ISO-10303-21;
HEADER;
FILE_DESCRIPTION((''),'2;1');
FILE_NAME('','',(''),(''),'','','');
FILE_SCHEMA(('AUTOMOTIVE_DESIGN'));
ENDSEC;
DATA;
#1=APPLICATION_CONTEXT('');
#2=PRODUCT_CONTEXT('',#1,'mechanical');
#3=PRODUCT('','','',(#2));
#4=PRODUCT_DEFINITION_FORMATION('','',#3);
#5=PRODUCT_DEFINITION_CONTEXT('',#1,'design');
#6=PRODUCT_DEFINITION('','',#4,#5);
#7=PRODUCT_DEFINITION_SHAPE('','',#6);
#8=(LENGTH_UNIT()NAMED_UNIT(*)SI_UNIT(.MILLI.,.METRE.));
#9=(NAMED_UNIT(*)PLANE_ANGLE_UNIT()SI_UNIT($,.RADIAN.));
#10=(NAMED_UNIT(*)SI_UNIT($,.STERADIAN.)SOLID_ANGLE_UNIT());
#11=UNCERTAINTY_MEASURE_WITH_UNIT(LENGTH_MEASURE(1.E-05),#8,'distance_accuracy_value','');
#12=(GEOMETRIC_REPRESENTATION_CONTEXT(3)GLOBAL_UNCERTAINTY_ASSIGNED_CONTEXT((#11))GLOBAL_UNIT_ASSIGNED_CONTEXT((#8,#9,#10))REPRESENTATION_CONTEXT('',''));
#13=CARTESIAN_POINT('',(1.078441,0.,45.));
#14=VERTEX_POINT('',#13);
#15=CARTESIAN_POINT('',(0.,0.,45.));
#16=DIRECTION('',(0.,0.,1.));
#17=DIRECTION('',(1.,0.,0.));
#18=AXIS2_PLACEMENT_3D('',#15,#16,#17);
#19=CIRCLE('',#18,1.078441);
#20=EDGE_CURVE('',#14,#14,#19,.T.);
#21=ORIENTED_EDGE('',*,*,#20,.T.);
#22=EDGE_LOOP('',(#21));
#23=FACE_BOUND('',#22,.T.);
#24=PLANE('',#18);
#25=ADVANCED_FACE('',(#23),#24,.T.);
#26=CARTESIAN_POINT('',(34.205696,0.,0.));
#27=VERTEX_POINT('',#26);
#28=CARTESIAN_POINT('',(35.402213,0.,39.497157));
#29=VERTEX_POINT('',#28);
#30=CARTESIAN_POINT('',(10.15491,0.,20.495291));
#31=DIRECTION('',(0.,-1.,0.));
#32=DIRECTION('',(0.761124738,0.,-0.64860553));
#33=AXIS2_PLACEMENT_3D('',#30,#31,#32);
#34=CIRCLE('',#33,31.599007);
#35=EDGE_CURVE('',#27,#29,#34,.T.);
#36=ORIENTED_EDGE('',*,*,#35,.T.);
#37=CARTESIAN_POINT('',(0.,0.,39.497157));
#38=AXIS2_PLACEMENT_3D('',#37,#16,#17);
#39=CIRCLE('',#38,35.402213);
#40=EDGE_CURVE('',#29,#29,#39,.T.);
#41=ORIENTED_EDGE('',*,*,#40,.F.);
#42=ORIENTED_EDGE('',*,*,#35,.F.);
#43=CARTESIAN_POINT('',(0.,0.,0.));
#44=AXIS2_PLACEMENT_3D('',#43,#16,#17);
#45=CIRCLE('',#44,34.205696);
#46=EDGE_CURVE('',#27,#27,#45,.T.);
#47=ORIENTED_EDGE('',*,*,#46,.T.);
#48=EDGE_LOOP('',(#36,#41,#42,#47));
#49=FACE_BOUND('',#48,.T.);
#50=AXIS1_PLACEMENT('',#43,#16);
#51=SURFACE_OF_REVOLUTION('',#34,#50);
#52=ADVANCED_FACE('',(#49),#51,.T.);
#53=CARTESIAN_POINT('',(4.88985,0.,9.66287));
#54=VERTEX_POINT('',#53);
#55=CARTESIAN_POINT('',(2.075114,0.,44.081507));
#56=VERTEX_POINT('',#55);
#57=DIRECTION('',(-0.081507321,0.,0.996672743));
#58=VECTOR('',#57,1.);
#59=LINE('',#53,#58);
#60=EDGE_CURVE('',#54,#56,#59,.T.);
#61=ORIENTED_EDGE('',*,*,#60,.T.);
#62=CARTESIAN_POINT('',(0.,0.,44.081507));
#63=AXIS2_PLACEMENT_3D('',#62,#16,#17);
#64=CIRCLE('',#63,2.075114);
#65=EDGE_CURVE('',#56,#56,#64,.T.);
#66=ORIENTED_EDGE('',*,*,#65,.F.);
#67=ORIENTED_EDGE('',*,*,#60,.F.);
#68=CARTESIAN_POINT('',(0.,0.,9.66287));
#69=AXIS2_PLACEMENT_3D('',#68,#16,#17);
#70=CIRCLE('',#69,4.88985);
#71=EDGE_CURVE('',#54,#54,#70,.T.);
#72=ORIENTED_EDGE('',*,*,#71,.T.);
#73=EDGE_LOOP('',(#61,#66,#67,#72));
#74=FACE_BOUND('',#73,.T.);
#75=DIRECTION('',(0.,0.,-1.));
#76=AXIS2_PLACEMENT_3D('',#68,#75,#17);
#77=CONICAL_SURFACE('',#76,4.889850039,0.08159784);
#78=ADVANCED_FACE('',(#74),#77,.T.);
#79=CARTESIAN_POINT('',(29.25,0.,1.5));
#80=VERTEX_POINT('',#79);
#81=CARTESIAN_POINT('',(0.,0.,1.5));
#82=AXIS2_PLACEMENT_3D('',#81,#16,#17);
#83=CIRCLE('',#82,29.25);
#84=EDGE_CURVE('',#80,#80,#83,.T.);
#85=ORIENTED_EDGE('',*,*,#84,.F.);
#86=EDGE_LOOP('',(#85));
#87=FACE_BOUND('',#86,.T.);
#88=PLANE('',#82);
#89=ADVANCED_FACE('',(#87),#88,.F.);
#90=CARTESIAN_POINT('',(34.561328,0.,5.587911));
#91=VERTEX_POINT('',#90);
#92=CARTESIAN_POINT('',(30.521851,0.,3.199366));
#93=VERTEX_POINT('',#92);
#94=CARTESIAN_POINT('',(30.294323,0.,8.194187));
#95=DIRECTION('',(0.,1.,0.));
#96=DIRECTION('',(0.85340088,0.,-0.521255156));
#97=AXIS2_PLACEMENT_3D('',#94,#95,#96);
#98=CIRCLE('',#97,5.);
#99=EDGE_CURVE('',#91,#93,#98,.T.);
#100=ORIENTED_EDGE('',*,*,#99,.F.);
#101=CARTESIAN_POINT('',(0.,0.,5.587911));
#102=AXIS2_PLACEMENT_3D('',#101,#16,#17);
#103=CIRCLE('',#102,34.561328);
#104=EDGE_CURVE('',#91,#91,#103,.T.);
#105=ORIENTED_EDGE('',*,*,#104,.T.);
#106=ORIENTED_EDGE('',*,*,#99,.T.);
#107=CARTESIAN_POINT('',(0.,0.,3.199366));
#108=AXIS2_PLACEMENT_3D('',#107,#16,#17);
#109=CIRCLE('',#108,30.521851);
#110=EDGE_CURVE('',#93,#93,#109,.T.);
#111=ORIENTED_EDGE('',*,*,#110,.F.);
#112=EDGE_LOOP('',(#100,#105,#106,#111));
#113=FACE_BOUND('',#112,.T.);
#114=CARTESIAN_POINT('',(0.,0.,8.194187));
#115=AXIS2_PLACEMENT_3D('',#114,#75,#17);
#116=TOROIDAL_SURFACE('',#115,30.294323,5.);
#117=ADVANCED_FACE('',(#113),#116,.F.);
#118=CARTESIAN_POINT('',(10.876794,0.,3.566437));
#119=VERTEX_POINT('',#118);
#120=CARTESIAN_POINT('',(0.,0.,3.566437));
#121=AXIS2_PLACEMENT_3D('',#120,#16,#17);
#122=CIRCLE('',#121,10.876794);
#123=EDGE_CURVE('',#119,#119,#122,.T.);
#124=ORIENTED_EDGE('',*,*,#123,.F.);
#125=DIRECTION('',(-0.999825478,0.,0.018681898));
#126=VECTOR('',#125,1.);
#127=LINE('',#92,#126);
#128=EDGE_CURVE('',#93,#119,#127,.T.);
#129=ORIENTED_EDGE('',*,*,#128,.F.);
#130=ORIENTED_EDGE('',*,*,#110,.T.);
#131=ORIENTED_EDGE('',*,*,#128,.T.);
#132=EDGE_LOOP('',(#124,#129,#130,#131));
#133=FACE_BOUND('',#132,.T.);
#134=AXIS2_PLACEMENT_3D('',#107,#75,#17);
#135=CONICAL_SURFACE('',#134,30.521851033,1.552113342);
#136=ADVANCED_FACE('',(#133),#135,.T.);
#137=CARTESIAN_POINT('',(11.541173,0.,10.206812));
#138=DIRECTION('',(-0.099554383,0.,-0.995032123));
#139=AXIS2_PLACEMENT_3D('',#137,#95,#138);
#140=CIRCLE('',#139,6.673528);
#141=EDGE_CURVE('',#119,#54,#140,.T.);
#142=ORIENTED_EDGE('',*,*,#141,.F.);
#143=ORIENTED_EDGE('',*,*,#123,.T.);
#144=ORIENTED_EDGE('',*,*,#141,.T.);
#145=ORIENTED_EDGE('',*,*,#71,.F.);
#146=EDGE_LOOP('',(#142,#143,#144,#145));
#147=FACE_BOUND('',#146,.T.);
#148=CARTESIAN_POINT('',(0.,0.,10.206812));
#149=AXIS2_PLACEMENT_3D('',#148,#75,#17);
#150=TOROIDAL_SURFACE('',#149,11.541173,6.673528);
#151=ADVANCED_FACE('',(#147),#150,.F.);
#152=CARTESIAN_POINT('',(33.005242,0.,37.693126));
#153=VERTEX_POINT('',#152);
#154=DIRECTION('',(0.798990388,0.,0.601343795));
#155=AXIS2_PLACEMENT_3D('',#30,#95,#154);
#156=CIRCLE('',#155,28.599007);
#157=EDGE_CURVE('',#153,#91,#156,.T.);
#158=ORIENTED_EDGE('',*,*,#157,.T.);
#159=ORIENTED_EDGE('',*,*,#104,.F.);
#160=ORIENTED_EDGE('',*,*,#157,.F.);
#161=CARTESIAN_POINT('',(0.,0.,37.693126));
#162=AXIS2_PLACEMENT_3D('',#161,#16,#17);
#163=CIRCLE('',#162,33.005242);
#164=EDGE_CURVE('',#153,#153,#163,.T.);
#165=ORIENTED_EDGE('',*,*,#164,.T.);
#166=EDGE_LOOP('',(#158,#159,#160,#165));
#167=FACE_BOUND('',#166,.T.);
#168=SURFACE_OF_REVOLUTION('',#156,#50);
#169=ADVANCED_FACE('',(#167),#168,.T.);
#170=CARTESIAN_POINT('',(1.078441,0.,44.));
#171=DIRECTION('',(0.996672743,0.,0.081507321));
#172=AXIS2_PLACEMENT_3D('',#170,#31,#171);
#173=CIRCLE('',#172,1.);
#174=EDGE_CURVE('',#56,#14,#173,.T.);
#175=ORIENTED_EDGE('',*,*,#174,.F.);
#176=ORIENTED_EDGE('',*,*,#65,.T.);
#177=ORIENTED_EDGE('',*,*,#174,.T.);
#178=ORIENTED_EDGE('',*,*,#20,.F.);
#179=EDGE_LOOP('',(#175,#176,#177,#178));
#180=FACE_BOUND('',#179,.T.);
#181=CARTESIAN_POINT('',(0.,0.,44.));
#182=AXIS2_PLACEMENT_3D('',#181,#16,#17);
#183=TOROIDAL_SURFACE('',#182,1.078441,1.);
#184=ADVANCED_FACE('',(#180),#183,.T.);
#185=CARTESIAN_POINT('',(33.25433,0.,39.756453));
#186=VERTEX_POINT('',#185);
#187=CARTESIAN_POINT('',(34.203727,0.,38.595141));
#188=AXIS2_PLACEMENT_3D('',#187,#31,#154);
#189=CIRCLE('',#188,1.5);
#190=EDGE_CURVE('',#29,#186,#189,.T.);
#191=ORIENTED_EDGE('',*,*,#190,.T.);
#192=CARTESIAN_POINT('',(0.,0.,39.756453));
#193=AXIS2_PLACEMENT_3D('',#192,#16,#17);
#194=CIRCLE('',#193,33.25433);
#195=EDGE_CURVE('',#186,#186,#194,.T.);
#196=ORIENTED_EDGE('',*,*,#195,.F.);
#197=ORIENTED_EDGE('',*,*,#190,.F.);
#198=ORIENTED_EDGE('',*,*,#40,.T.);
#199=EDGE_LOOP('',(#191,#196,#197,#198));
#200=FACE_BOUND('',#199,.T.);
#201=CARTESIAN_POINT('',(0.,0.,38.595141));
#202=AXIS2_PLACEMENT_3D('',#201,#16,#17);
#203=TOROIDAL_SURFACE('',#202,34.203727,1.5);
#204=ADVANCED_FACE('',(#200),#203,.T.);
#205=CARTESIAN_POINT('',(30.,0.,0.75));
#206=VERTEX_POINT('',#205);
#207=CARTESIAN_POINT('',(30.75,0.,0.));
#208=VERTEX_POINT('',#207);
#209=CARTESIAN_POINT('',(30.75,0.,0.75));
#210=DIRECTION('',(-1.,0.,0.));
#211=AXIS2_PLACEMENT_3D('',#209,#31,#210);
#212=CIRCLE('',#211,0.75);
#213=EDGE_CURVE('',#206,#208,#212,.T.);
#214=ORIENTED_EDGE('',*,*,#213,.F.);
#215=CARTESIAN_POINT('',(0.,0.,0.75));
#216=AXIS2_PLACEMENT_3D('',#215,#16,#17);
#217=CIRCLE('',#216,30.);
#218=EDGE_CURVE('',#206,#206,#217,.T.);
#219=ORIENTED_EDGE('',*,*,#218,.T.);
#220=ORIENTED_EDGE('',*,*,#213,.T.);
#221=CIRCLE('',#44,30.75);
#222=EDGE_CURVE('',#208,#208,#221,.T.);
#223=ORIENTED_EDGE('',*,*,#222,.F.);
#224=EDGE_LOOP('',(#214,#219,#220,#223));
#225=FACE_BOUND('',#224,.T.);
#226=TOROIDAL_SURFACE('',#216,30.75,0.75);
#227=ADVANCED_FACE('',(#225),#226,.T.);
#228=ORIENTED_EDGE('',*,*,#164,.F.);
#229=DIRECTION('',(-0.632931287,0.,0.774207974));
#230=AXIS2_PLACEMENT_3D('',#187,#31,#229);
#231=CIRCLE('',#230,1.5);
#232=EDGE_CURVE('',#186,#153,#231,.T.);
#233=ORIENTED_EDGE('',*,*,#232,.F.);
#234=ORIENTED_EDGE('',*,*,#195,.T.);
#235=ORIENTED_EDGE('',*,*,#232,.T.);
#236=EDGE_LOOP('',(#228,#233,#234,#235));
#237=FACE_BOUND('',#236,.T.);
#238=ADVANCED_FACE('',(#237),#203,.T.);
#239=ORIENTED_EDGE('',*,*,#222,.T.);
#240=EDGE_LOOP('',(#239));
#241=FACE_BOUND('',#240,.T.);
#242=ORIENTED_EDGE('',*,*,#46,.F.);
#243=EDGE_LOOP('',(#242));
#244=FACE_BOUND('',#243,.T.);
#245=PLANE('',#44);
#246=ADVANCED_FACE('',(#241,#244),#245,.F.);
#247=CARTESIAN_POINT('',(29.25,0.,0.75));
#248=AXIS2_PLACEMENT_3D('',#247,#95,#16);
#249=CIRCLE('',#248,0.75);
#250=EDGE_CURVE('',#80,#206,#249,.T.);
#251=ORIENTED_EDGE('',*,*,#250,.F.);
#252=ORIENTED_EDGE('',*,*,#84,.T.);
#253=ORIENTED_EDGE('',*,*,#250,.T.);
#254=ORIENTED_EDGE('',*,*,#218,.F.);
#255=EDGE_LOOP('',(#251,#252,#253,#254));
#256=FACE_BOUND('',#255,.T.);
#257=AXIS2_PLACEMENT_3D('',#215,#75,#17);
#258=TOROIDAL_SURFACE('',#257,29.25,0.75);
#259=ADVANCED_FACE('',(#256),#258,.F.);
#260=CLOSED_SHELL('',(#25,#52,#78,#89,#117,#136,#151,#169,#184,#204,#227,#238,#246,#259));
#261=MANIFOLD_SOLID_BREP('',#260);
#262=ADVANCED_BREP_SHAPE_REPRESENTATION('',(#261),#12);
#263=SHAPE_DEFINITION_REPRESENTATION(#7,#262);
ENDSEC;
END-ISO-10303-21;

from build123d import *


with BuildPart() as f2:
    # F0 (on Front) → F2 (revolve)
    with BuildSketch(Plane.XZ):
        with BuildLine():
            Line((0, 45), (0, 1.5))
            Line((0, 1.5), (29.25, 1.5))
            ThreePointArc((29.25, 1.5), (29.7803300859, 1.2803300859), (30, 0.75))
            ThreePointArc((30, 0.75), (30.2196699141, 0.2196699141), (30.75, 0))
            Line((30.75, 0), (34.2056958689, 0))
            ThreePointArc((34.2056958689, 0), (41.73942749, 19.5384771004), (35.4022128226, 39.4971571619))
            ThreePointArc((35.4022128226, 39.4971571619), (34.3835046802, 40.0843291923), (33.2543303103, 39.7564534306))
            ThreePointArc((33.2543303103, 39.7564534306), (32.7145395179, 38.7749189101), (33.0052416575, 37.6931257781))
            ThreePointArc((33.0052416575, 37.6931257781), (38.7203838814, 21.8798112249), (34.5613276824, 5.5879108038))
            ThreePointArc((34.5613276824, 5.5879108038), (32.8392184076, 3.8902919757), (30.521851033, 3.1993661541))
            Line((30.521851033, 3.1993661541), (10.8767943457, 3.566437168))
            ThreePointArc((10.8767943457, 3.566437168), (6.7797135401, 5.5308653415), (4.889850039, 9.6628703177))
            Line((4.889850039, 9.6628703177), (2.0751138004, 44.0815073208))
            ThreePointArc((2.0751138004, 44.0815073208), (1.7561182221, 44.735359545), (1.0784410574, 45))
            Line((1.0784410574, 45), (0, 45))
        make_face()
    revolve(axis=Axis((0, 0, 0), (0, 0, 1)))


solid = f2.part
